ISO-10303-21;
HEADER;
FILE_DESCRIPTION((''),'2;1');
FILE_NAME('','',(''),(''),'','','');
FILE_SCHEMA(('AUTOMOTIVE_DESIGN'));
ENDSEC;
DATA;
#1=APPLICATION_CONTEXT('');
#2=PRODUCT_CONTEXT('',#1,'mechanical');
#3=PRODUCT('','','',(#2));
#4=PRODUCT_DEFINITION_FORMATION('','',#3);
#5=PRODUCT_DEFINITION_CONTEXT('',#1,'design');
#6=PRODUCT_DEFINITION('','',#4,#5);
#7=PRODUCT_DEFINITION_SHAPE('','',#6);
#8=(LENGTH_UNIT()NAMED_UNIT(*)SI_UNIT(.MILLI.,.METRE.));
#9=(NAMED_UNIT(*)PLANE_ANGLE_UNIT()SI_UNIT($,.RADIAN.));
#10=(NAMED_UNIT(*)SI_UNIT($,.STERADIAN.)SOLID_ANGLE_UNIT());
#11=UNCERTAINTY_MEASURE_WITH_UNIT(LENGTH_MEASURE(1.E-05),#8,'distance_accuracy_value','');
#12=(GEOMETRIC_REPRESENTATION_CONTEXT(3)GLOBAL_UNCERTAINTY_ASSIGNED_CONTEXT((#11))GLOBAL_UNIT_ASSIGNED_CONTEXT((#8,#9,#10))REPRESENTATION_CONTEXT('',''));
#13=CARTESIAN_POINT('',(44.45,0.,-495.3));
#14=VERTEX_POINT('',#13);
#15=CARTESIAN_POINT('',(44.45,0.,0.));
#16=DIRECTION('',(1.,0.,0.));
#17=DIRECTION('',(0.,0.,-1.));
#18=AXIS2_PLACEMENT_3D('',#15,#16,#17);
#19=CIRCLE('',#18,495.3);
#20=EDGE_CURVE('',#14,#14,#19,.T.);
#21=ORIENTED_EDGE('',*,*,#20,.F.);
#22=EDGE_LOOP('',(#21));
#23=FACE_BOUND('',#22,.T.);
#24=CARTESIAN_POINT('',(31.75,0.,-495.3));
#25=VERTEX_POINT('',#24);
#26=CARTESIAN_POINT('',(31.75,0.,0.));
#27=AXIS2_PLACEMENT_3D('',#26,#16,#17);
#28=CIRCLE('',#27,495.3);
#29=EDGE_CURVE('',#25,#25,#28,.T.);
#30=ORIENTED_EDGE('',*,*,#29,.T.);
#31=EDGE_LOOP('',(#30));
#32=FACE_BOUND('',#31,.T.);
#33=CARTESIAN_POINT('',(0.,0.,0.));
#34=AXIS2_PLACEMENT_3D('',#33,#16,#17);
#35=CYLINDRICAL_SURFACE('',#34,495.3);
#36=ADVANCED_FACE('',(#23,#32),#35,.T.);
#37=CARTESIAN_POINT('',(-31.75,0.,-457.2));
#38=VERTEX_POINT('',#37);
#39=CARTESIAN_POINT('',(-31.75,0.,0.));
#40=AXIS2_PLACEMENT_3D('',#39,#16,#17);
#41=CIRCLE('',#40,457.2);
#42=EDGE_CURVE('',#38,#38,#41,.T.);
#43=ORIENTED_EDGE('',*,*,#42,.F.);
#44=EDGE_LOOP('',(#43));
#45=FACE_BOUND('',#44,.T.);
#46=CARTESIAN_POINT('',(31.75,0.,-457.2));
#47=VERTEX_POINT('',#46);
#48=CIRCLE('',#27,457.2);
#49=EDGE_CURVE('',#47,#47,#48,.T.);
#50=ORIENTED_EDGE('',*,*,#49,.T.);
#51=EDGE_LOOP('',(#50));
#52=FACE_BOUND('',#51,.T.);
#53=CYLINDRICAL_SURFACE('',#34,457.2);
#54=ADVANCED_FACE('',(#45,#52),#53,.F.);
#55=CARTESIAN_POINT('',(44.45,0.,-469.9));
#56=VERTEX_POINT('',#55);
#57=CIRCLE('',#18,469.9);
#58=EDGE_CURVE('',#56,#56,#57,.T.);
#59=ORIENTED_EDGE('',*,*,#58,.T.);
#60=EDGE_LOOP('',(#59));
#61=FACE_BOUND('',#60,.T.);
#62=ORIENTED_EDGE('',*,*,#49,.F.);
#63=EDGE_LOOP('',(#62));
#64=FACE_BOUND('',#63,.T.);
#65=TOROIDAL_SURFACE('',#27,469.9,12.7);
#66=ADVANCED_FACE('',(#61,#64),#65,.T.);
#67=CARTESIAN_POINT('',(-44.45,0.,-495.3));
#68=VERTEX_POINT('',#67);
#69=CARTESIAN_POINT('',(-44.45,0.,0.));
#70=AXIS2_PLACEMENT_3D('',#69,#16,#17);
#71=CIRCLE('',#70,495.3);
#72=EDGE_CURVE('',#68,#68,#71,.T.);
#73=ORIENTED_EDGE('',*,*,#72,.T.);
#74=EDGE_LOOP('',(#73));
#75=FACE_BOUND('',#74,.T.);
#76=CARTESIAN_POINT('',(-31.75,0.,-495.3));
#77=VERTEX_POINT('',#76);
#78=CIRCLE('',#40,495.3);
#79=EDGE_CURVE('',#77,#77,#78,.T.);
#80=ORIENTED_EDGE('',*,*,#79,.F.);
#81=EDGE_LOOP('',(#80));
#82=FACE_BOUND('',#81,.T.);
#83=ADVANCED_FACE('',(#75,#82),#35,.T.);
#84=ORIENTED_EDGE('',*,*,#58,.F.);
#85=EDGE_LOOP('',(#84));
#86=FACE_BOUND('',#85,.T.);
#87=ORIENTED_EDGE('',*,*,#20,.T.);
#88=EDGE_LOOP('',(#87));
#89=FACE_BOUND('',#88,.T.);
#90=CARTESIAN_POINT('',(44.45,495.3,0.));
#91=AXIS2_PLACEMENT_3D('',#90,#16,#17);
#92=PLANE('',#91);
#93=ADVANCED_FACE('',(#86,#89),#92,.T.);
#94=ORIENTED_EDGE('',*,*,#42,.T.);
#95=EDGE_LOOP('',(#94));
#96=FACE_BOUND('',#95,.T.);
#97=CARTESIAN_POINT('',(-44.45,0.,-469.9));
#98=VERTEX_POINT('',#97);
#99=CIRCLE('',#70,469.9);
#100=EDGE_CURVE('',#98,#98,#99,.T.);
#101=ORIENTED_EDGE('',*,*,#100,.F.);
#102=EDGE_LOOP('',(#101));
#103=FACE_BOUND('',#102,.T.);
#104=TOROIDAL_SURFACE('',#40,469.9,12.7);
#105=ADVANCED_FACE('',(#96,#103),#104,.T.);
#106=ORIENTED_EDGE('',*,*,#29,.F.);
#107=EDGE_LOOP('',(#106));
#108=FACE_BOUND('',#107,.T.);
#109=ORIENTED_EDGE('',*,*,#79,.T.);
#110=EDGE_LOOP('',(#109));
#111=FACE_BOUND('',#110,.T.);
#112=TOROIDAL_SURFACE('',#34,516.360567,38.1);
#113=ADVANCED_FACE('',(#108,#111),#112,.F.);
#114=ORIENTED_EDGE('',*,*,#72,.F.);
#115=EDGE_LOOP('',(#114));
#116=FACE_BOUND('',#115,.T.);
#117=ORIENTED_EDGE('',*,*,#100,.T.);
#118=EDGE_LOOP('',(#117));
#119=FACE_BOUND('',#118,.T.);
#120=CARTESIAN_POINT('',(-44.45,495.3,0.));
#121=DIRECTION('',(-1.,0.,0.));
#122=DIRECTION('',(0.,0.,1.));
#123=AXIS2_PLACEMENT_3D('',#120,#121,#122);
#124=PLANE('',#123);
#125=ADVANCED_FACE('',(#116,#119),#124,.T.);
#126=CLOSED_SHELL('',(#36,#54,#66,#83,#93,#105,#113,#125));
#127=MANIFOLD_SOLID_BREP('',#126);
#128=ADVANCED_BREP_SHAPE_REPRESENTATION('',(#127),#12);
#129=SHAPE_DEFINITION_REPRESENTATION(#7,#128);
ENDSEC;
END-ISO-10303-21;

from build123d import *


with BuildPart() as part:
    # Sketch1 → Revolve3 (revolve)
    with BuildSketch(Plane.XY, mode=Mode.PRIVATE) as revolve3_sk:
        with BuildLine():
            Line((31.75, 495.3), (44.45, 495.3))
            Line((44.45, 495.3), (44.45, 469.9))
            ThreePointArc((44.45, 469.9), (40.730256121, 460.919743879), (31.75, 457.2))
            Line((31.75, 457.2), (-31.75, 457.2))
            ThreePointArc((-31.75, 457.2), (-40.730256121, 460.919743879), (-44.45, 469.9))
            Line((-44.45, 469.9), (-44.45, 495.3))
            Line((-44.45, 495.3), (-31.75, 495.3))
            ThreePointArc((-31.75, 495.3), (0, 478.260567419), (31.75, 495.3))
        make_face()
    revolve(revolve3_sk.sketch.rotate(Axis((0, 0, 0), (-1, 0, 0)), 90), axis=Axis((0, 0, 0), (-1, 0, 0)))


solid = part.part
